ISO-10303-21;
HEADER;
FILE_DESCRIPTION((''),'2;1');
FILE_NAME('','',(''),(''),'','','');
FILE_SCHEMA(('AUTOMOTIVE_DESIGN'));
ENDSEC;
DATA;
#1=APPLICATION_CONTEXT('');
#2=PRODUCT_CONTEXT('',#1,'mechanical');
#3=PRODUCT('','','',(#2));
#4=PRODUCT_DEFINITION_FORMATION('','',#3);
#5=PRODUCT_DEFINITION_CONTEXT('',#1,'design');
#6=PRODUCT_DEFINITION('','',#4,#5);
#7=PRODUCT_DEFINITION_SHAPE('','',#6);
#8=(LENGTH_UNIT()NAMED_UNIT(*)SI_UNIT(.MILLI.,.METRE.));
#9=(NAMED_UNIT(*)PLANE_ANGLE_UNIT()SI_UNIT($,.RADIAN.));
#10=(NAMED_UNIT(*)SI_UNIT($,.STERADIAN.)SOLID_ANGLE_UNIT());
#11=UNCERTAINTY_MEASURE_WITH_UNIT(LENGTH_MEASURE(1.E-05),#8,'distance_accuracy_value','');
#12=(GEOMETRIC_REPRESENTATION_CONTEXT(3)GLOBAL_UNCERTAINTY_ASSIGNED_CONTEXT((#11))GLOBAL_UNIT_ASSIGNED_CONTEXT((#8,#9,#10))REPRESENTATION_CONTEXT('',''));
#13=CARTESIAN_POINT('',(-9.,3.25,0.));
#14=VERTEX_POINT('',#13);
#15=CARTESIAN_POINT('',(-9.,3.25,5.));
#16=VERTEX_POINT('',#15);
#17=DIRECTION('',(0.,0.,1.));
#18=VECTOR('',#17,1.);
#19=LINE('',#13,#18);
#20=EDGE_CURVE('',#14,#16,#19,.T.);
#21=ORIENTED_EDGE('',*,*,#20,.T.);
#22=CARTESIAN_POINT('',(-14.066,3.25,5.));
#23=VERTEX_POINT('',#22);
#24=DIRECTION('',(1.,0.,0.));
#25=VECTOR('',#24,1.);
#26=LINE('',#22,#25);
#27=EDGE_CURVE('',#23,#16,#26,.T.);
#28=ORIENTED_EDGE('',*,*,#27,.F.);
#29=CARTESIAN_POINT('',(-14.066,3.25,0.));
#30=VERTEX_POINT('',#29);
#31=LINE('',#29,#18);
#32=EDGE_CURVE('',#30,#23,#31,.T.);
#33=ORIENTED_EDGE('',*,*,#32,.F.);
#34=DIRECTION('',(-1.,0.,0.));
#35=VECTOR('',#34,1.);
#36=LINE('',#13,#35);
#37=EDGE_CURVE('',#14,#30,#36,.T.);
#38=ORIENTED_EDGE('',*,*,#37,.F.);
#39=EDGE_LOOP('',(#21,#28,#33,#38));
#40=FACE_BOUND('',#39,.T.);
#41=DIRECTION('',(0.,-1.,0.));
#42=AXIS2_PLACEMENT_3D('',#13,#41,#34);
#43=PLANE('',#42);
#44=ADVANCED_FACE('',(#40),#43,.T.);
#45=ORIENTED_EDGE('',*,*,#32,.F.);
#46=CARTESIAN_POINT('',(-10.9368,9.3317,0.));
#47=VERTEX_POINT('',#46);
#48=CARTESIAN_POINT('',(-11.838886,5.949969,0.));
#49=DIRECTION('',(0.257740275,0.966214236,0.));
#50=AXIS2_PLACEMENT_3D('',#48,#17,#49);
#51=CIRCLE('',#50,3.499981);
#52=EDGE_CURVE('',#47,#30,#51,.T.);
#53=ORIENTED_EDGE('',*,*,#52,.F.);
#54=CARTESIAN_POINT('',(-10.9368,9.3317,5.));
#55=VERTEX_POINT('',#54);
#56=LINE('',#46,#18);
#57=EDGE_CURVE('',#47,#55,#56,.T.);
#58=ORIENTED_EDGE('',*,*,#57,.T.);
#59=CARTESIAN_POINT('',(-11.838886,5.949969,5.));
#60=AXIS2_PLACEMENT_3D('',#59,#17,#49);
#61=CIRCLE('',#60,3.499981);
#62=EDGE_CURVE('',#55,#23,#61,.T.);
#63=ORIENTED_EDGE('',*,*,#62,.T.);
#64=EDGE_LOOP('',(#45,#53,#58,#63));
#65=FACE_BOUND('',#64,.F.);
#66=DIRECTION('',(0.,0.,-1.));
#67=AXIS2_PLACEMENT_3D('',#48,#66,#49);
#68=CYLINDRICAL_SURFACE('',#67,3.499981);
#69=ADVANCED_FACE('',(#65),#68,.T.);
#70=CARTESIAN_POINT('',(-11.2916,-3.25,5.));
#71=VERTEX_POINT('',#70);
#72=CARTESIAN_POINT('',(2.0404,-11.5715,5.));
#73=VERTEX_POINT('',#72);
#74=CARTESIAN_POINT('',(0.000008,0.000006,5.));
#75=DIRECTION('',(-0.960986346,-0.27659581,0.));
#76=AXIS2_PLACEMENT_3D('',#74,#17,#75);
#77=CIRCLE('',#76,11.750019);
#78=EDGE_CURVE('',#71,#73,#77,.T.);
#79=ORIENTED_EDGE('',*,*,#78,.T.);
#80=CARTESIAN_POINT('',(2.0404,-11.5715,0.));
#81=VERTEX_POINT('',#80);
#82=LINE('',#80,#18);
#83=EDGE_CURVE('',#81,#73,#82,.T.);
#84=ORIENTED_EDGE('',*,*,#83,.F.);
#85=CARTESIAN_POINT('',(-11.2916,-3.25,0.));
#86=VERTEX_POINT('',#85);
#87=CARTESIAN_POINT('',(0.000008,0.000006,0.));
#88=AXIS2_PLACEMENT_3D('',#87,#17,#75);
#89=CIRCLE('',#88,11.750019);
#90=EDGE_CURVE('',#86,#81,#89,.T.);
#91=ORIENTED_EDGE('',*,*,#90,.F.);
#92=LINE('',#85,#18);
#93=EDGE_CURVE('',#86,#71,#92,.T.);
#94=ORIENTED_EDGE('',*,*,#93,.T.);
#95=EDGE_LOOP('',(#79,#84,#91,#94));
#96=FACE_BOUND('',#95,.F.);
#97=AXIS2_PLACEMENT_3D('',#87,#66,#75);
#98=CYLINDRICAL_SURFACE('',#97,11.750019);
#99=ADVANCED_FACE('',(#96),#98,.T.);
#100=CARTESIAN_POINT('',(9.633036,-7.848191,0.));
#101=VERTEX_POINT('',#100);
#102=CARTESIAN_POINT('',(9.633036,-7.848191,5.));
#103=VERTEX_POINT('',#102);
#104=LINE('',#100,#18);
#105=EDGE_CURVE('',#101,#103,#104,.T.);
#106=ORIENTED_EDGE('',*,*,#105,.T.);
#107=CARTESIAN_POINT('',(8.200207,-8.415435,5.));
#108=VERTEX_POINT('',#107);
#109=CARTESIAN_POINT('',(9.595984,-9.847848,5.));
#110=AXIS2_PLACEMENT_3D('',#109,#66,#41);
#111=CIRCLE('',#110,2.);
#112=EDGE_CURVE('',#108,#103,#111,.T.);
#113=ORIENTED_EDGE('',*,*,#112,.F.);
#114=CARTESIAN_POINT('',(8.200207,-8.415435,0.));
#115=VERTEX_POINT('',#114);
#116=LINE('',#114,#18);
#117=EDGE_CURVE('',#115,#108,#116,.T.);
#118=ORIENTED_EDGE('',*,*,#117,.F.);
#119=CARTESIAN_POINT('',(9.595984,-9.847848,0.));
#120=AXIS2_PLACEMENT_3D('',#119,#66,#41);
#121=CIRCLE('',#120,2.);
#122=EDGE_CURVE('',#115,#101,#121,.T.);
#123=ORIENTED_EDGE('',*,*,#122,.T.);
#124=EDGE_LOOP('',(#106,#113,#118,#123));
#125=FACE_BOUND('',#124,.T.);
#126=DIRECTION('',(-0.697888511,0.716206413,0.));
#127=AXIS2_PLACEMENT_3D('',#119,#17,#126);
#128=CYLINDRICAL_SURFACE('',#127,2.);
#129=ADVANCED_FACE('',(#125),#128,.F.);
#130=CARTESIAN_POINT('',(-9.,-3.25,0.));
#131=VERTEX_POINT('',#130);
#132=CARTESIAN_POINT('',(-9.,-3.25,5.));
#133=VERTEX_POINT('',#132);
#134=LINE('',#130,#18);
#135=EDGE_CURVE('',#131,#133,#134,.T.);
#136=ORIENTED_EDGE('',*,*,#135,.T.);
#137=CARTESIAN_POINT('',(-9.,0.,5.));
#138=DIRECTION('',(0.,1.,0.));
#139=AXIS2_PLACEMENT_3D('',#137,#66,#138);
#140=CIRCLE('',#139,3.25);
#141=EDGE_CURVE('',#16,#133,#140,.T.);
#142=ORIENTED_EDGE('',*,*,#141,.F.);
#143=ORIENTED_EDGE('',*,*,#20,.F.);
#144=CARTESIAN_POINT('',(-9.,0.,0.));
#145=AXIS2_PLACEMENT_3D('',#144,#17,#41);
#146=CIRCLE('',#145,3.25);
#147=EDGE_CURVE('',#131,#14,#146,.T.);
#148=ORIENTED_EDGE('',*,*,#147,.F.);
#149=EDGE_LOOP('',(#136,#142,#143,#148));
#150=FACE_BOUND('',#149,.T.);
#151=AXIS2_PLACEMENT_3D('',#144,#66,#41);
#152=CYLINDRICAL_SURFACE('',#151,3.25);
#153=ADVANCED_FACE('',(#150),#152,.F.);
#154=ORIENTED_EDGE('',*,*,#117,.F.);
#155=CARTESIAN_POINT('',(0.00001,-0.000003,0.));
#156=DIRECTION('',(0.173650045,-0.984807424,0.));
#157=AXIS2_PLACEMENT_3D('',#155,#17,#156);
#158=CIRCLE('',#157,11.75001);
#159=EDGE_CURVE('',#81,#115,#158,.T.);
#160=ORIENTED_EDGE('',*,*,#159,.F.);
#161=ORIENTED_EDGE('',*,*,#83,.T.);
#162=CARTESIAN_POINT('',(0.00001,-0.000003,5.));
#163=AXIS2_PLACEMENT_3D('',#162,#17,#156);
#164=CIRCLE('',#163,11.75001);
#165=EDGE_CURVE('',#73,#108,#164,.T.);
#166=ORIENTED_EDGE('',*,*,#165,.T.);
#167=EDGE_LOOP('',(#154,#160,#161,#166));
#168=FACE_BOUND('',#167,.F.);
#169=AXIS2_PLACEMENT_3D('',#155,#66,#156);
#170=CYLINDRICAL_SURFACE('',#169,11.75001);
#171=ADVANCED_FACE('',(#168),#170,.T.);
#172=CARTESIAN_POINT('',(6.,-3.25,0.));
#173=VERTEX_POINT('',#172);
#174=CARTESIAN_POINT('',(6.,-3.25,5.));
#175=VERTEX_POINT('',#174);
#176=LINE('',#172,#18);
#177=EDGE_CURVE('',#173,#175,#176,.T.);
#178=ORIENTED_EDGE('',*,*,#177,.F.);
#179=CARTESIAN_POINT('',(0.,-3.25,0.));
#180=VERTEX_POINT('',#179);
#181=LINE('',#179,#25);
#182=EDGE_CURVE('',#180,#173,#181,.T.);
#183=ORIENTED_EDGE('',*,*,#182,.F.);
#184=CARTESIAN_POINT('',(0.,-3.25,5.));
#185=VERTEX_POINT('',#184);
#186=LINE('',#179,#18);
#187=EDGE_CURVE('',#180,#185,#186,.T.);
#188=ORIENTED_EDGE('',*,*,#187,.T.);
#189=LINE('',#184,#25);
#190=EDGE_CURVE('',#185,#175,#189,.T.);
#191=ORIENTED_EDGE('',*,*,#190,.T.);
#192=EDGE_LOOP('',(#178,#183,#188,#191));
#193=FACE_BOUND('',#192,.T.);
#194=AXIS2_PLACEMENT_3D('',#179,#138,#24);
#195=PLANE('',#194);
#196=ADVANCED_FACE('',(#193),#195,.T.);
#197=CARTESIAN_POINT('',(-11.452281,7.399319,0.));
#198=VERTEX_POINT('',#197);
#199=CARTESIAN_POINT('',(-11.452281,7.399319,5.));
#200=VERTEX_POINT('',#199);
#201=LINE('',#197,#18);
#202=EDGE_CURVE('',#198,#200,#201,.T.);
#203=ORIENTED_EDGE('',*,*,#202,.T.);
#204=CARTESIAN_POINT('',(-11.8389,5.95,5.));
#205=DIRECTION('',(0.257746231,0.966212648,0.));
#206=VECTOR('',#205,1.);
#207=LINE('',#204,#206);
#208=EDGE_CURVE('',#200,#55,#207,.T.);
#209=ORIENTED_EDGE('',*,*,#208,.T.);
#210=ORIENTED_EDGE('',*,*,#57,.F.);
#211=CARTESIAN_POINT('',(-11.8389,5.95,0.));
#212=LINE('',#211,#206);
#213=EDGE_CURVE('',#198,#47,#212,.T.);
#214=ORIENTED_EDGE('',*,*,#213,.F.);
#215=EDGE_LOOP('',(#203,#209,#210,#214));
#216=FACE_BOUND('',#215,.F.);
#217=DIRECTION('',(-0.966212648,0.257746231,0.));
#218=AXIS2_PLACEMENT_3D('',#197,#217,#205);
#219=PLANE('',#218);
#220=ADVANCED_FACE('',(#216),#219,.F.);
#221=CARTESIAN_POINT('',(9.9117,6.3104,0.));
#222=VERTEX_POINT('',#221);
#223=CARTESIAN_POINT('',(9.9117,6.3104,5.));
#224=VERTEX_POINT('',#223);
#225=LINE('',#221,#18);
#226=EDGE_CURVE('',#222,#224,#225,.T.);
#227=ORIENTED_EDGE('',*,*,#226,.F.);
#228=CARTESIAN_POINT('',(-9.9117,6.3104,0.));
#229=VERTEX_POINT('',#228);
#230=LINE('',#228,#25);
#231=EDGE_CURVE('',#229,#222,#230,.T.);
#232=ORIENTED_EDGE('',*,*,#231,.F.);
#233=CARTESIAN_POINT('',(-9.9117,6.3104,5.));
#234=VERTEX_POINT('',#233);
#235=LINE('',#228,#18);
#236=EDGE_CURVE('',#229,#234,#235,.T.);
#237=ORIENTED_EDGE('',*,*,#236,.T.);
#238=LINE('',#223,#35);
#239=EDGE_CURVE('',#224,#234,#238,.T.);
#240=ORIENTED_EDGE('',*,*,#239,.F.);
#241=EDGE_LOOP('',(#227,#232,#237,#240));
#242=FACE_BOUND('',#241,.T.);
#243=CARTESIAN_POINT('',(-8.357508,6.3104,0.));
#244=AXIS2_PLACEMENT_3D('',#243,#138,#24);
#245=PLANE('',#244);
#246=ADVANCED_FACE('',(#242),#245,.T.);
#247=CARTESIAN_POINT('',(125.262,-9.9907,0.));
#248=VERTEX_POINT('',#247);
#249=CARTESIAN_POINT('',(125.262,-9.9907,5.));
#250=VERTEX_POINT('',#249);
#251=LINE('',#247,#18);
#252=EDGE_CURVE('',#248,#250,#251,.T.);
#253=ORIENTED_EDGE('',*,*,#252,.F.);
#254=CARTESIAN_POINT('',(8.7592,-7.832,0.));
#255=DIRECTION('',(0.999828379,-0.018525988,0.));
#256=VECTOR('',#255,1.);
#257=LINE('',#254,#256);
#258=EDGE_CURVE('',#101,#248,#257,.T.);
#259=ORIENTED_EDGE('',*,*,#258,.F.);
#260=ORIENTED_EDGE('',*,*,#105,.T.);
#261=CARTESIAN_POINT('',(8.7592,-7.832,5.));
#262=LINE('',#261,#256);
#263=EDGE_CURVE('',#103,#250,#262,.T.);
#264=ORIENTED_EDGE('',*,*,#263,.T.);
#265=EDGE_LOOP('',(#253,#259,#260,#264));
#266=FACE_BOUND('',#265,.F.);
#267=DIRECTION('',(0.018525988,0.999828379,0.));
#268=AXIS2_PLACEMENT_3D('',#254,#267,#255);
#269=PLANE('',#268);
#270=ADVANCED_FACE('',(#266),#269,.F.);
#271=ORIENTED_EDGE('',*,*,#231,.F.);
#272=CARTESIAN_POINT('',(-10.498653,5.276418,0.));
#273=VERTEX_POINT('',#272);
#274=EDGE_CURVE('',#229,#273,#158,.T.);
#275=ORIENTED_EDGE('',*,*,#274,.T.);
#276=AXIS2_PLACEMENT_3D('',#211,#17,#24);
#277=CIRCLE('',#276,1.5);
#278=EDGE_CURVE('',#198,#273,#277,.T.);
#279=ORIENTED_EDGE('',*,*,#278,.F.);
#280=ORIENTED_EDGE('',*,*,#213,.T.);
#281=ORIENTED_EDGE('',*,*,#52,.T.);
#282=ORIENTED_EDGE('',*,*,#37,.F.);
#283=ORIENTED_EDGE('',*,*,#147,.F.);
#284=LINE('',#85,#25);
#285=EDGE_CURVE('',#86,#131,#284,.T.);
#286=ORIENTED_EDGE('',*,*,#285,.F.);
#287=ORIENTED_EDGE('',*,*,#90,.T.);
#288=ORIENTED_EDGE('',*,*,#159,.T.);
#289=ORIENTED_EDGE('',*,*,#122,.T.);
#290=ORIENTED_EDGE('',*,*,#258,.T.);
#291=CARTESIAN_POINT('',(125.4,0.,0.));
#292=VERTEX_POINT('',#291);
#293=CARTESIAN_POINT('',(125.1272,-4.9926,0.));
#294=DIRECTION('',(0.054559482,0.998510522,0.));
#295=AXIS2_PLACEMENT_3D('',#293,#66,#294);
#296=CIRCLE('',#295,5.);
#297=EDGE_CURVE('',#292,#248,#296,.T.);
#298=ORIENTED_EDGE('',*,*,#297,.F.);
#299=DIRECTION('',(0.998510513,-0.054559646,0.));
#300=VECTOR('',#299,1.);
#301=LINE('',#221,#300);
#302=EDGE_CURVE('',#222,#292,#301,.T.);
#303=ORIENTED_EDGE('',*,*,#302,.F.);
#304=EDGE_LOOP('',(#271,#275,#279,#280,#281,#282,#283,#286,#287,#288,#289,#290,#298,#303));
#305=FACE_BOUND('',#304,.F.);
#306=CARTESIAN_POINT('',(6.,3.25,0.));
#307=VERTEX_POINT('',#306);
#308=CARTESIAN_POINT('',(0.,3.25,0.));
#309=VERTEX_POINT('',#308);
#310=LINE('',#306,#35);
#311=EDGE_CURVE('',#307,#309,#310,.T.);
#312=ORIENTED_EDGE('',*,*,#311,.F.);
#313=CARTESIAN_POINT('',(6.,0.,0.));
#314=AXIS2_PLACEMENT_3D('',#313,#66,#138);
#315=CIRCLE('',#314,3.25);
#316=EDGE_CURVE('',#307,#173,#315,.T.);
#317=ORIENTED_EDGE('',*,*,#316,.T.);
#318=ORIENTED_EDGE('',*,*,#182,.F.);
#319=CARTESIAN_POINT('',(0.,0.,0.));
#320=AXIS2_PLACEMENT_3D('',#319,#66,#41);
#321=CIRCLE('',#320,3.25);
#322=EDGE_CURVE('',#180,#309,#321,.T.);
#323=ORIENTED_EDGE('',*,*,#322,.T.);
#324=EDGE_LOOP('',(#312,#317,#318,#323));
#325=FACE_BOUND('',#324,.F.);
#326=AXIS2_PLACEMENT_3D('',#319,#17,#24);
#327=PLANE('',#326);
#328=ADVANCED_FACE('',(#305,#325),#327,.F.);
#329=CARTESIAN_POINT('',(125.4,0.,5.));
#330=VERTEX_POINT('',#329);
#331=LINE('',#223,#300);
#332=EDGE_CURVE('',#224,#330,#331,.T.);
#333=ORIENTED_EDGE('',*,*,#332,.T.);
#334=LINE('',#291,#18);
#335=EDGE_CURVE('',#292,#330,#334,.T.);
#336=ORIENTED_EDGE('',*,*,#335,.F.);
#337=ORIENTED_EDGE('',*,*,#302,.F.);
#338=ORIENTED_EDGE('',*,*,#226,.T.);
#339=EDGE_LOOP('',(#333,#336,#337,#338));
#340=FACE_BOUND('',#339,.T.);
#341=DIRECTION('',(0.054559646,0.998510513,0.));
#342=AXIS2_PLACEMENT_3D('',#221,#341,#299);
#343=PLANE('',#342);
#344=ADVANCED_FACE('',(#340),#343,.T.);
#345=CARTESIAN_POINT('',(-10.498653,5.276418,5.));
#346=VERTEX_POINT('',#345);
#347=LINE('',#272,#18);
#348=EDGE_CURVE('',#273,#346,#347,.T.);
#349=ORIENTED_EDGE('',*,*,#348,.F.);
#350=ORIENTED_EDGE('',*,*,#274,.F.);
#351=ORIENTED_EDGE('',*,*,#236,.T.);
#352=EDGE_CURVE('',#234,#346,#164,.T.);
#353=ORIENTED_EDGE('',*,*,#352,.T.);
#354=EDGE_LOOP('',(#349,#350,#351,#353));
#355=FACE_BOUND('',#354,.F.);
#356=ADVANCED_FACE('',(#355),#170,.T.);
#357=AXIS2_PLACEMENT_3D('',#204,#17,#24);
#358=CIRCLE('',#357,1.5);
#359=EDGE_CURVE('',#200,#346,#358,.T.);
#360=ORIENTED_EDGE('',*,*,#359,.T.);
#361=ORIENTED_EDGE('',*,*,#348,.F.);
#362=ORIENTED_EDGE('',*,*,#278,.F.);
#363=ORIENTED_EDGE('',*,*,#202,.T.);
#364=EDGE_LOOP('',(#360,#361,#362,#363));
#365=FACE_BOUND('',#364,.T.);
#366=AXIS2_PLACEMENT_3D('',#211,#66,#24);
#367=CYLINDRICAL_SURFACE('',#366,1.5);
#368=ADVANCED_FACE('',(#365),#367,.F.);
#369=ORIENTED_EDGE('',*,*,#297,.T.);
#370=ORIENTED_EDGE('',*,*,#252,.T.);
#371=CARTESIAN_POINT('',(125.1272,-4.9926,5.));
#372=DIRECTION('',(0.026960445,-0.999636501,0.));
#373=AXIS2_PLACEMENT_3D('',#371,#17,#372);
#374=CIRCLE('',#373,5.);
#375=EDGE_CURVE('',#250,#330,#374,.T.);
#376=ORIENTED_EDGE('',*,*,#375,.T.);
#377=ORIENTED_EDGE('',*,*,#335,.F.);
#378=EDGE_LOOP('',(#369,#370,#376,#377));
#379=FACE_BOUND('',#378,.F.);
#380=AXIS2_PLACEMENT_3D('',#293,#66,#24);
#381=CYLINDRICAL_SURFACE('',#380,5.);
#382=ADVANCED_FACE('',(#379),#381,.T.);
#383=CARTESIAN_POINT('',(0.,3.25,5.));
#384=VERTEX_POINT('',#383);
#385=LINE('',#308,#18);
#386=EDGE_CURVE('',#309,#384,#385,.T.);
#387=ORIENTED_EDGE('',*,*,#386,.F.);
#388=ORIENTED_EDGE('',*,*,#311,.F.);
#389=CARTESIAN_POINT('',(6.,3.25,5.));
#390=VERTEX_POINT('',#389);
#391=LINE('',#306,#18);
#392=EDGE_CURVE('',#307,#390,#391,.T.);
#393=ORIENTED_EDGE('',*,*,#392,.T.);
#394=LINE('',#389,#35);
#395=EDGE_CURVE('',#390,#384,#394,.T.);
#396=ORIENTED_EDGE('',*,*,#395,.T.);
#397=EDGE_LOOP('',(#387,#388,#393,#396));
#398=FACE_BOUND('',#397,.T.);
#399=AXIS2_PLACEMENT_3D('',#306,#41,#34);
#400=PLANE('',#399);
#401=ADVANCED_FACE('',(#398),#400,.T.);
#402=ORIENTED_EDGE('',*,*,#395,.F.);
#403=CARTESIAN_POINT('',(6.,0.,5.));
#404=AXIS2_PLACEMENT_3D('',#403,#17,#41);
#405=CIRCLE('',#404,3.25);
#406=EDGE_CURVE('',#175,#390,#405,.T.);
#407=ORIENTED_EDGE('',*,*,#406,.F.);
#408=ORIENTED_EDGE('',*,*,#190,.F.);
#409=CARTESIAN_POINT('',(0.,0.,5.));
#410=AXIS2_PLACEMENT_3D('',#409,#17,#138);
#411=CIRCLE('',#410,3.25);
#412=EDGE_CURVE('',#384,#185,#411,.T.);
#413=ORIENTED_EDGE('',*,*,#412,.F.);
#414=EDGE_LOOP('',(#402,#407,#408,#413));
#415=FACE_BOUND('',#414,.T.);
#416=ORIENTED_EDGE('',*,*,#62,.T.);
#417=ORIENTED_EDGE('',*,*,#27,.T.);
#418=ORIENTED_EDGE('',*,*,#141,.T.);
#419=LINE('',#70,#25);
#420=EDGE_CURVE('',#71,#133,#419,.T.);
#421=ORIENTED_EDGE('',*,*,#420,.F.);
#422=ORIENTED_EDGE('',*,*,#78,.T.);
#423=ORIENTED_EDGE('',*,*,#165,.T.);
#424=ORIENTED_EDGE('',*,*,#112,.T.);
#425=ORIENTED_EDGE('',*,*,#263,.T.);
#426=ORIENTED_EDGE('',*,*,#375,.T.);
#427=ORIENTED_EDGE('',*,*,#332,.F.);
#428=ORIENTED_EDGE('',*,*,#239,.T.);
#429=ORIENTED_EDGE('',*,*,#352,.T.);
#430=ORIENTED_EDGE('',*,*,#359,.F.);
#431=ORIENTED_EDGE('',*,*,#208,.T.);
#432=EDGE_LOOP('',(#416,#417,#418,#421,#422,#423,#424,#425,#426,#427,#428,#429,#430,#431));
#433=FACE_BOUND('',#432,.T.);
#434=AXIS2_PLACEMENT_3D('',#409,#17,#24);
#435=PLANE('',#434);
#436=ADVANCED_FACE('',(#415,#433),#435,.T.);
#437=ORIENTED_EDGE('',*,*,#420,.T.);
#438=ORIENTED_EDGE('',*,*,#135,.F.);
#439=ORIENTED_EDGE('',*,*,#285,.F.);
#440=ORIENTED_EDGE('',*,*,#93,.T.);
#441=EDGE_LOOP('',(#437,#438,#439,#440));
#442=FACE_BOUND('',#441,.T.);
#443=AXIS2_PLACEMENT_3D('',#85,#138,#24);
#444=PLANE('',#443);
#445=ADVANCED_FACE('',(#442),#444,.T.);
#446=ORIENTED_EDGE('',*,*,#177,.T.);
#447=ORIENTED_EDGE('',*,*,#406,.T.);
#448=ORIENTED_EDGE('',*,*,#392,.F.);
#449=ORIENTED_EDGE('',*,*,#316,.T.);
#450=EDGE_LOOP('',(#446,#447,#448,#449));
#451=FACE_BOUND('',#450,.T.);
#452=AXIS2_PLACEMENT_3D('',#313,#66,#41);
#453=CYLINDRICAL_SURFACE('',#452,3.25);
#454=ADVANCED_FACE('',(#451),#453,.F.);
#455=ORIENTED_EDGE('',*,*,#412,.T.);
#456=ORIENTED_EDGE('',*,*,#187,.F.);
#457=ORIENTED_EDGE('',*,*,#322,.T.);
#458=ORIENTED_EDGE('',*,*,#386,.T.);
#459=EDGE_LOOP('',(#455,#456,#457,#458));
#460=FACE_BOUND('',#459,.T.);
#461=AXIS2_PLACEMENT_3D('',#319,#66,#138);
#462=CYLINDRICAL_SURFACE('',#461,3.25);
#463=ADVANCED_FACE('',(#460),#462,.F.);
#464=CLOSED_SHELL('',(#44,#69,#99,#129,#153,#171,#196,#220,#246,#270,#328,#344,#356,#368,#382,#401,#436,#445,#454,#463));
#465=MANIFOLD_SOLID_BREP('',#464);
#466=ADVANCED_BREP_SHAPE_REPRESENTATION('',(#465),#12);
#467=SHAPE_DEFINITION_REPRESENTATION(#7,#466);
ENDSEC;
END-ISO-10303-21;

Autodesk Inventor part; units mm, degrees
ref_plane "YZ Plane" through (0, 0, 0) normal (1, 0, 0) x (0, 1, 0)
ref_plane "XZ Plane" through (0, 0, 0) normal (0, 1, 0) x (-1, 0, 0)
ref_plane "XY Plane" through (0, 0, 0) normal (0, 0, 1) x (1, 0, 0)
sketch "スケッチ1" plane through (0, 0, 0) normal (0, 0, 1) x (1, 0, 0)
  line L0 (0, 0) -> (6, 0) construction
  line L1 (0, -3.25) -> (6, -3.25)
  line L2 (6, 3.25) -> (0, 3.25)
  arc A0 (0, 3.25) -> (0, -3.25) centre (0, 0) ccw
  arc A1 (6, -3.25) -> (6, 3.25) centre (6, 0) ccw
  line L3 (-15, 0) -> (-9, 0) construction
  line L4 (-9, 3.25) -> (-15, 3.25)
  arc A2 (-15, 3.25) -> (-18.25, 0) centre (-15, 0) ccw
  arc A3 (-9, -3.25) -> (-9, 3.25) centre (-9, 0) ccw
  line L5 (-9, 0) -> (0, 0)
  circle A4 centre (-15, 0) radius 3.25 construction
  circle A5 centre (2.6047, -14.7721) radius 3.25
  line L6 (0, 0) -> (2.6047, -14.7721) construction
  arc A6 (-11.2916, -3.25) -> (2.0404, -11.5715) centre (0, 0) ccw
  line L7 (0, 0) -> (125.4, 0)
  line L8 (125.262, -9.9907) -> (5.461, -13.2216)
  line L9 (-11.2916, -3.25) -> (-9, -3.25)
  arc A7 (-11.75, 0) -> (-11.2916, -3.25) centre (0, 0) ccw
  arc A8 (2.0404, -11.5715) -> (-11.75, 0) centre (0, 0) ccw
  line L10 (9.9117, 6.3104) -> (125.4, 0)
  line L11 (-9.9117, 6.3104) -> (9.9117, 6.3104)
  line L12 (-15, 6.3104) -> (-15, 0) construction
  circle A9 centre (125.1272, -4.9926) radius 5
  line L13 (8.7592, -7.832) -> (125.262, -9.9907)
  circle A10 centre (-11.8389, 5.95) radius 1.5
  arc A11 (-13.6588, 2.9604) -> (-8.835, 7.7463) centre (-11.8389, 5.95) ccw
  arc A12 (-8.835, 7.7463) -> (-10.9368, 9.3317) centre (-11.8389, 5.95) ccw construction
  arc A13 (-14.066, 3.25) -> (-13.6588, 2.9604) centre (-11.8389, 5.95) ccw
  line L14 (-11.8389, 5.95) -> (-10.9368, 9.3317)
  arc A14 (-10.9368, 9.3317) -> (-14.066, 3.25) centre (-11.8389, 5.95) ccw
  point P0 (3, 0)
  point P1 (-12, 0)
  point P2 (2.0404, -11.5715)
  point P3 (124.8544, 0)
  point P4 (11.75, 0)
  point P5 (124.8073, -9.9823)
  point P6 (-11.2916, 3.25)
  point P7 (-10.4987, 5.2764)
  point P8 (-11.4523, 7.3993)
  point P9 (-11.488, 2.4676)
  dimension "d7" = 6.5
  dimension "d0" = 6.5
  dimension "d1" = 6
  dimension "d3" = 6.5
  dimension "d4" = 6
  dimension "d5" = 15
  dimension "d6" = 6.5
  dimension "d8" = 15
  dimension "d9" = 100
  dimension "d11" = 125.4
  dimension "d18" = 10
  dimension "d26" = 3
  dimension "d27" = 2
  dimension "d28" = 1.2
extrude "押し出し1" add sketch "スケッチ1" along normal blind 5 contours L1 A1 L7 A8 A6 L9 A3 L5 A0 | L5 A3 L4 A11 L11 A8 L7 A1 L2 A0 | A8 L10 A9 L7 | A9 L7 | L7 A9 L13 A8 | A9 L7 | L4 A8 L11 A11 | L4 A14 L14 A10 A8
fillet "フィレット2" radius 2 1 edges at (8.7592, -7.832, 2.5)
properties part number "Wing2" material "ポリカーボネート、クリア"
